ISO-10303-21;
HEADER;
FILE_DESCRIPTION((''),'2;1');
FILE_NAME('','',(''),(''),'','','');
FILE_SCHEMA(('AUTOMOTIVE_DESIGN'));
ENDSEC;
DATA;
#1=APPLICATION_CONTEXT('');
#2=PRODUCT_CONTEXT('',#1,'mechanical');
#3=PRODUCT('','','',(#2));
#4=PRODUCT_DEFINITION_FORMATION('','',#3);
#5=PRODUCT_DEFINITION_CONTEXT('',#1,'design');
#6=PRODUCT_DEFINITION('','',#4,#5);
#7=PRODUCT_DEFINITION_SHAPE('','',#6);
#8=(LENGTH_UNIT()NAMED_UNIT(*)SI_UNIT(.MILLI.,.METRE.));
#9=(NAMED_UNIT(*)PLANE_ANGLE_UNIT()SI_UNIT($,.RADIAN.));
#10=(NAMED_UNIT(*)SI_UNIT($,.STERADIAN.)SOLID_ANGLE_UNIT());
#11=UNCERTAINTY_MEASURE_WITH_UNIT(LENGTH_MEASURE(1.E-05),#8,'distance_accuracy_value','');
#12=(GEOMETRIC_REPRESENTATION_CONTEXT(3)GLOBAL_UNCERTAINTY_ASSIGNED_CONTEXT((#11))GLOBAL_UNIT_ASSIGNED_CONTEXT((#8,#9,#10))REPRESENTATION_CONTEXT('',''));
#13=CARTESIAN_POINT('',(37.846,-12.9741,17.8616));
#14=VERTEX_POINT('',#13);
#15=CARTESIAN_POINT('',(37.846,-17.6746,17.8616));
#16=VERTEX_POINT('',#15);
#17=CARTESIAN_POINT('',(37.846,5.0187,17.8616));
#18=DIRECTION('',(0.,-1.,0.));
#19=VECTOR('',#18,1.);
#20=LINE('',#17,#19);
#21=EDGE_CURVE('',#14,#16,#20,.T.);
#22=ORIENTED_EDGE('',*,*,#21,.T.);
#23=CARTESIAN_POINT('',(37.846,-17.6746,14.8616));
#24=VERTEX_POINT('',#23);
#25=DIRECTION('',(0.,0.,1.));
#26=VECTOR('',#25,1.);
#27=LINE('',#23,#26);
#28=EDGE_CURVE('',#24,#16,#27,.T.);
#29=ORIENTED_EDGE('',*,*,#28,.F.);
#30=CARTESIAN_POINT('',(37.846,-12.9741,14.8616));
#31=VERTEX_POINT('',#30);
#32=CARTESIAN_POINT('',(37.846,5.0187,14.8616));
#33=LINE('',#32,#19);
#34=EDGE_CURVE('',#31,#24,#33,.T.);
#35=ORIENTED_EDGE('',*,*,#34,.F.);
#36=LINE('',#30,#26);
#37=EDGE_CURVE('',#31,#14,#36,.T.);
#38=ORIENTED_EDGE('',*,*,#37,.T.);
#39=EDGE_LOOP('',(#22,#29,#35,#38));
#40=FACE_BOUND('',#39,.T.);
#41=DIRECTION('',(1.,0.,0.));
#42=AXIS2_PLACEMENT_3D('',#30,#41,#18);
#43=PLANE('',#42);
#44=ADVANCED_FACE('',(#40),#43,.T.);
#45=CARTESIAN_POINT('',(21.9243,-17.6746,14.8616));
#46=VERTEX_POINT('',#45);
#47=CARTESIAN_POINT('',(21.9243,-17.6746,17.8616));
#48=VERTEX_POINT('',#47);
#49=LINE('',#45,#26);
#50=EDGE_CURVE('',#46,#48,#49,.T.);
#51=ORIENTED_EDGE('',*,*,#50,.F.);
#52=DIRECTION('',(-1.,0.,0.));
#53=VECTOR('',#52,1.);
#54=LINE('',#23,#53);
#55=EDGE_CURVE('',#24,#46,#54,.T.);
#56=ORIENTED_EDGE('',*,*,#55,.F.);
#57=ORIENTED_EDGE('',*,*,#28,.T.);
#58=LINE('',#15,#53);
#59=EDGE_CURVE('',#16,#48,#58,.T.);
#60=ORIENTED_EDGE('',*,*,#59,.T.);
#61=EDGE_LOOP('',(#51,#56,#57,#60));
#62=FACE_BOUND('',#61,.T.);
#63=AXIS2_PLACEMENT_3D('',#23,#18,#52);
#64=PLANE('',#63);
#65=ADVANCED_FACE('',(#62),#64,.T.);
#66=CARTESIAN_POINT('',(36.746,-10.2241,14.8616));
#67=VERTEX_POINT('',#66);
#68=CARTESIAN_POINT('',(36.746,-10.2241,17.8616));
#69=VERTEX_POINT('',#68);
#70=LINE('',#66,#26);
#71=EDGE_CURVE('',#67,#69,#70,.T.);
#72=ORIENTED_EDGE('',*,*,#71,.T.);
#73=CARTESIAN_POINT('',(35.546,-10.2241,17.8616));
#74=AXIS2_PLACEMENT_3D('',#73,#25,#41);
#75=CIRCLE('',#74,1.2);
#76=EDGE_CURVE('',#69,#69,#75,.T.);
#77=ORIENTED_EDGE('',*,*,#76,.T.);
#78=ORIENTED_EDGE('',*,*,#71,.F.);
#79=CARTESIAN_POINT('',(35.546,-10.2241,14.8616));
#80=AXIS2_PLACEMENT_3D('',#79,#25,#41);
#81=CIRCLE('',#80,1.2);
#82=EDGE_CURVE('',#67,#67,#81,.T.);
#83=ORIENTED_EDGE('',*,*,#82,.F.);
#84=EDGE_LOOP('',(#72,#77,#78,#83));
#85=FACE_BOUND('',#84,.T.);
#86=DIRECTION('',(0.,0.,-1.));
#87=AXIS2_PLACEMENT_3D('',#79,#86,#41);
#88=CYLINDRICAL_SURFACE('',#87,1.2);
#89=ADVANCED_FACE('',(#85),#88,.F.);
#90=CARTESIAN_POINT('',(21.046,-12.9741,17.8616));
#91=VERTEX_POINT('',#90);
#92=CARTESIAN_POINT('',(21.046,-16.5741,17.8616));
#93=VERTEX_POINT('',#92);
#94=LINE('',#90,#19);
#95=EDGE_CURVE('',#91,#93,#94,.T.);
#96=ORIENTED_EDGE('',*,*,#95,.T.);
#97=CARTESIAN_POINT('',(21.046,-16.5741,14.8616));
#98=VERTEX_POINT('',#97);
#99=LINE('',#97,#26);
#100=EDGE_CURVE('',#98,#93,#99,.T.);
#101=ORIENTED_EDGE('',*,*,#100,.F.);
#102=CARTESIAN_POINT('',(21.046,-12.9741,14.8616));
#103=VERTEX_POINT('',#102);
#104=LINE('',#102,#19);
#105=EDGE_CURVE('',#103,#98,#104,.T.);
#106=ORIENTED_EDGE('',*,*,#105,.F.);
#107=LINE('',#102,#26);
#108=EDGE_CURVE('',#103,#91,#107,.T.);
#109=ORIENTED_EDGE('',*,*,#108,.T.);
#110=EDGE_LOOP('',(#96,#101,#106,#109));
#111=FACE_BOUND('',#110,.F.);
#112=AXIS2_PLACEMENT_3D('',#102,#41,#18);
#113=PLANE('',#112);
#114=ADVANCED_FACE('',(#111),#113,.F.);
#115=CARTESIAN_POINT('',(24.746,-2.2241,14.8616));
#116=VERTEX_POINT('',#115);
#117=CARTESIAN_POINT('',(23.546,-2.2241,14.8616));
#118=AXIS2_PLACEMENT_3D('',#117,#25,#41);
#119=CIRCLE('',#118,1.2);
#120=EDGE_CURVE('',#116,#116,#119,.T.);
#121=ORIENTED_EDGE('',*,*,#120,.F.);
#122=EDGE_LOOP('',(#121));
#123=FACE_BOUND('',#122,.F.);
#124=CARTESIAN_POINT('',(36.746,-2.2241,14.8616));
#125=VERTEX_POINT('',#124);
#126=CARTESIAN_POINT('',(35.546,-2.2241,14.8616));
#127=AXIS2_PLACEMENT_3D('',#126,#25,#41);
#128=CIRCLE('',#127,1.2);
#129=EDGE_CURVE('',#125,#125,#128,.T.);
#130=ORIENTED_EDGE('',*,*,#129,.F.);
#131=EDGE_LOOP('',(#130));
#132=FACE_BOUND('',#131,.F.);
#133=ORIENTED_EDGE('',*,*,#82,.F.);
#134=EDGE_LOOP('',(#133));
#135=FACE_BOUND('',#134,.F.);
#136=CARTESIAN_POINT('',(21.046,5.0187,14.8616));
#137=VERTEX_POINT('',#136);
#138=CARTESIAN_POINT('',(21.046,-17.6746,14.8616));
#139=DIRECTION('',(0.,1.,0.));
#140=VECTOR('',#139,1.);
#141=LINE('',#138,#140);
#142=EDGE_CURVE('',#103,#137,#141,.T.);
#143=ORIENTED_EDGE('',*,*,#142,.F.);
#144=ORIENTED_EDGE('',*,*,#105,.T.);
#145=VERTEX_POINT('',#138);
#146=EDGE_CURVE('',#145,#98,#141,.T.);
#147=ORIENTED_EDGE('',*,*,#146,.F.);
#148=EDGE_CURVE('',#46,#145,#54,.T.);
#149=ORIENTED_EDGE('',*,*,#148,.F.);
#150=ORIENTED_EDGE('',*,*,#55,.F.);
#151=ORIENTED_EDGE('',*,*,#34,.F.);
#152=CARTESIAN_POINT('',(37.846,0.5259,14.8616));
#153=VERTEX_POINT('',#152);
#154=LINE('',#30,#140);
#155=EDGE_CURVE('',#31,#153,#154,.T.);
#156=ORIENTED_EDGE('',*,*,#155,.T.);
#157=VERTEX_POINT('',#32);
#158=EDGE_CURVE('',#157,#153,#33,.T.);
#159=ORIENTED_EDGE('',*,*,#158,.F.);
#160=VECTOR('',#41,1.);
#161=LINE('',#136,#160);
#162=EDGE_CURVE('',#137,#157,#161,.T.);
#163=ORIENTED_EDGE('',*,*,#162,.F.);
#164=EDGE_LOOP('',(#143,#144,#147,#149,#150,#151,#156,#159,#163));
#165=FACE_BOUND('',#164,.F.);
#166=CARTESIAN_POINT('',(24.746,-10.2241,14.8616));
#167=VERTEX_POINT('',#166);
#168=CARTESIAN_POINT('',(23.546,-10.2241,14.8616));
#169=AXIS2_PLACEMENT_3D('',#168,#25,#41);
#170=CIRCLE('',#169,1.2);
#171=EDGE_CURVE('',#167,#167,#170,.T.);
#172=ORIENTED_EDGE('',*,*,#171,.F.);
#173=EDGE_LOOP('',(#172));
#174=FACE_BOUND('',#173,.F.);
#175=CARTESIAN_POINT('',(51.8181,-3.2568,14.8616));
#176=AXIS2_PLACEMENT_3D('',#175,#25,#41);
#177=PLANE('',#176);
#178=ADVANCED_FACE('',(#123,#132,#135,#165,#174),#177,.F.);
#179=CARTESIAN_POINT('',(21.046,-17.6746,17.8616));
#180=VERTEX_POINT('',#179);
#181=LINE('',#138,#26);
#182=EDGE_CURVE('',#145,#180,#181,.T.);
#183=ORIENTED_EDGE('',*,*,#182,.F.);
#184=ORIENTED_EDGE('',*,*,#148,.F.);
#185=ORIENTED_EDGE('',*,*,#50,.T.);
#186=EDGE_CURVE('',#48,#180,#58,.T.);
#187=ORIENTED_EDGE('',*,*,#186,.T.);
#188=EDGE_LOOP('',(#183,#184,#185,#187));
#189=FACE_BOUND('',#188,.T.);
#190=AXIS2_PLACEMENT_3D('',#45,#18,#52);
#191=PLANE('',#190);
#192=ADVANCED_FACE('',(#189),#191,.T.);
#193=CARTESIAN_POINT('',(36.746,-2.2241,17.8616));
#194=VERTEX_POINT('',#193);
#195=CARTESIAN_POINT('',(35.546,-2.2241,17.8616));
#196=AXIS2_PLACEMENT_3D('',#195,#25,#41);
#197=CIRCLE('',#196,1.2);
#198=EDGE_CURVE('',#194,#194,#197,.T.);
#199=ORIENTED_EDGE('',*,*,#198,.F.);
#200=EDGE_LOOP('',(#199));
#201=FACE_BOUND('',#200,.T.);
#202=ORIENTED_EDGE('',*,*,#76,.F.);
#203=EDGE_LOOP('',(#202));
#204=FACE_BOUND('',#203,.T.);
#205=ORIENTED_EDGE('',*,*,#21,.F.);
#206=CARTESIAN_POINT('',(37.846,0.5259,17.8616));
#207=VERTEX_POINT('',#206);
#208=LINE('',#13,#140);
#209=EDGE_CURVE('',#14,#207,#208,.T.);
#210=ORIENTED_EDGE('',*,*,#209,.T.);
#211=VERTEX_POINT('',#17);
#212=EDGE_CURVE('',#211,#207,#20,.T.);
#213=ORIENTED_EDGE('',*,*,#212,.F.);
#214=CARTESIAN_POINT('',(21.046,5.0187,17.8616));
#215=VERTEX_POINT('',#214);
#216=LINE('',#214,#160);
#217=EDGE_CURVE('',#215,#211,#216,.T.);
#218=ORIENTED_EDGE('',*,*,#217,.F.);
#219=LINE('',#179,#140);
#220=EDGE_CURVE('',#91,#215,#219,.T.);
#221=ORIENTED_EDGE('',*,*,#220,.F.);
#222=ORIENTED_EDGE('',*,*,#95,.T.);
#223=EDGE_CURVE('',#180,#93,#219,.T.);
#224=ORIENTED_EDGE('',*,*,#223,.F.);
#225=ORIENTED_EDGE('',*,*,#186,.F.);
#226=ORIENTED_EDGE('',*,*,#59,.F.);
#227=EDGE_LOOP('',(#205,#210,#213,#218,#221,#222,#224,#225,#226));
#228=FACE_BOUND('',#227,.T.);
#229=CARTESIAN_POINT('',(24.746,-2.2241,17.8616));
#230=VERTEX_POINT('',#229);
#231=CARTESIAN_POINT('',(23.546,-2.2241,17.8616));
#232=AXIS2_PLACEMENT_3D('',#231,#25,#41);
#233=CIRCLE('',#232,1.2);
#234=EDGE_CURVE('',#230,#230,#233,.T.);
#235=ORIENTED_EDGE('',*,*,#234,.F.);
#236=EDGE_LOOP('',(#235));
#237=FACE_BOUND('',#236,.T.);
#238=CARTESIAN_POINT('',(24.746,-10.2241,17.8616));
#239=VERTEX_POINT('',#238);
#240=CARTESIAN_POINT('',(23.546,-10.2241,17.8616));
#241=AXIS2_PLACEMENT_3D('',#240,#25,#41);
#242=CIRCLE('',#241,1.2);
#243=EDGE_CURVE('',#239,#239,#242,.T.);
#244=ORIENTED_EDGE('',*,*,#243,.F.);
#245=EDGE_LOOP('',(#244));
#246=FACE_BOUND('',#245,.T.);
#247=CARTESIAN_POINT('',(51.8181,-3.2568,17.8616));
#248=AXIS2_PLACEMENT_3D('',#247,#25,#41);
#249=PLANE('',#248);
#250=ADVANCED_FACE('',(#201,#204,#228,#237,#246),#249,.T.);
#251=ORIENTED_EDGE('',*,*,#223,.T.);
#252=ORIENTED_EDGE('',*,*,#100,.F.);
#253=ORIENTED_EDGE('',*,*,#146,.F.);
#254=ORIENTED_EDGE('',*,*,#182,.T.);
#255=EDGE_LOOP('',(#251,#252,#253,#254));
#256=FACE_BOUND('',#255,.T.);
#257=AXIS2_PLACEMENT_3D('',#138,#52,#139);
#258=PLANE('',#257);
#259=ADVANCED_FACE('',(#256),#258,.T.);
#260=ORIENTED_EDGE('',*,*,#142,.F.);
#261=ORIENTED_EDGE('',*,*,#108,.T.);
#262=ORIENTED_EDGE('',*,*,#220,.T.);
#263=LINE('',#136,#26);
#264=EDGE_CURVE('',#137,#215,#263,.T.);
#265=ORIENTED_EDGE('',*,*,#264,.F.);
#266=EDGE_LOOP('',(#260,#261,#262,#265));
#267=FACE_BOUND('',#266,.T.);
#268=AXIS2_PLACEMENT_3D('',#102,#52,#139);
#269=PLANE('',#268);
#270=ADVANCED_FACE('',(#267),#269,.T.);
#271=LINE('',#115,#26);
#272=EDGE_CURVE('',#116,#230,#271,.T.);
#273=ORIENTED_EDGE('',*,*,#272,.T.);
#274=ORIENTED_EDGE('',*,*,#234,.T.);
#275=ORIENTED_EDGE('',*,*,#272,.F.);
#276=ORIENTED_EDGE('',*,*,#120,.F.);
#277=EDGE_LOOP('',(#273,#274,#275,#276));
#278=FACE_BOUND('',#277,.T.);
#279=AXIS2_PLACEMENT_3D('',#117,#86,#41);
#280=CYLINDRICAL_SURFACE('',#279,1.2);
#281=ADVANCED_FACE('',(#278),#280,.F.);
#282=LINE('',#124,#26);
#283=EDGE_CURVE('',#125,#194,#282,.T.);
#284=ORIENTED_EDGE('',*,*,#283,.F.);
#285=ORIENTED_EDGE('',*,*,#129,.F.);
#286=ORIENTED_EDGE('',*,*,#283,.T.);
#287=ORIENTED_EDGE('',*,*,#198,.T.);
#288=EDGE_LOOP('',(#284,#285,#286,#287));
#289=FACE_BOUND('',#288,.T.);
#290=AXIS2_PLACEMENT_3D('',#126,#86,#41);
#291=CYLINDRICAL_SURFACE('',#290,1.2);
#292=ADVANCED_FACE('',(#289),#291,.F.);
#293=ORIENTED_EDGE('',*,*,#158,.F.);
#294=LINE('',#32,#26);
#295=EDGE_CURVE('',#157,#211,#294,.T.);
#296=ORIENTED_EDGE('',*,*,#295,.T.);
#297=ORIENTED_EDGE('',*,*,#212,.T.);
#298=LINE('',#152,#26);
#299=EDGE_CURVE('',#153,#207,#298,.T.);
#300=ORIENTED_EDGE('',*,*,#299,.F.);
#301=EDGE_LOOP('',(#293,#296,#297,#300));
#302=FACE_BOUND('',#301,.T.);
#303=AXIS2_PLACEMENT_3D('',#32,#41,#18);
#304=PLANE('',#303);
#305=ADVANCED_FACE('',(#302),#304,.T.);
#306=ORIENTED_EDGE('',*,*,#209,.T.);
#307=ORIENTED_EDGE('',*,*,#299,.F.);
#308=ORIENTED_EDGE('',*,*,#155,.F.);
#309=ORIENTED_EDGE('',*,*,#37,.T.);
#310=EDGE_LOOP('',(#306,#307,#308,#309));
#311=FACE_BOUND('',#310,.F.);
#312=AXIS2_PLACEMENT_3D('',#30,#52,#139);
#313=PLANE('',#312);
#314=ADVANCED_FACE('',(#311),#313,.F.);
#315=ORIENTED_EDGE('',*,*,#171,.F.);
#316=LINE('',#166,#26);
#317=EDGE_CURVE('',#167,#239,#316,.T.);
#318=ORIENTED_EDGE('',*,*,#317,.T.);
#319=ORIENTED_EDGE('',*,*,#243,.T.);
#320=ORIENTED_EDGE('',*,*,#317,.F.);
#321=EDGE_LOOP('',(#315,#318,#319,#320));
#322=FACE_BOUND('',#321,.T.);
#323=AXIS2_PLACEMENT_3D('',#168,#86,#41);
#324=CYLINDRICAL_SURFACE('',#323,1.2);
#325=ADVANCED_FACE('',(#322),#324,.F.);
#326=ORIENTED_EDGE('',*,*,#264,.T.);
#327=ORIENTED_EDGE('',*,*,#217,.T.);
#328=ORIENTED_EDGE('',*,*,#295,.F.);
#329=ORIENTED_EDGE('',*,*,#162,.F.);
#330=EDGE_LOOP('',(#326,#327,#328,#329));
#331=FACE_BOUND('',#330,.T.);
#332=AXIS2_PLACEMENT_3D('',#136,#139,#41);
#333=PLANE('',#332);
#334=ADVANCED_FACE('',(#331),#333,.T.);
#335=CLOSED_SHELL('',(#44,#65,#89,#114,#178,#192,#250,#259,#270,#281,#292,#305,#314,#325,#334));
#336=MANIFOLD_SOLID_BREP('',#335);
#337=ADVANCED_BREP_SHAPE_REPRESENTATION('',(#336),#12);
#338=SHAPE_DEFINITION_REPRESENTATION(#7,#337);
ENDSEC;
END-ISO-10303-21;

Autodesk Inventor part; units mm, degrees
ref_plane "YZ Plane" through (0, 0, 0) normal (1, 0, 0) x (0, 1, 0)
ref_plane "XZ Plane" through (0, 0, 0) normal (0, 1, 0) x (-1, 0, 0)
ref_plane "XY Plane" through (0, 0, 0) normal (0, 0, 1) x (1, 0, 0)
ref_plane "РабПлоскость1" through (51.8181, -3.2568, 14.8616) normal (0, 0, 1) x (1, 0, 0)
sketch "Эскиз1" plane through (51.8181, -3.2568, 14.8616) normal (0, 0, 1) x (1, 0, 0)
  circle A0 centre (-28.2721, 1.0327) radius 1.2 projected
  line L0 (-26.6721, 3.7827) -> (-26.6721, -9.7173)
  circle A1 centre (-28.2721, -6.9673) radius 0.8 projected
  circle A2 centre (-28.2721, -6.9673) radius 1.2 projected
  circle A3 centre (-16.2721, -6.9673) radius 1.2 projected
  circle A4 centre (-16.2721, 1.0327) radius 1.2 projected
  line L1 (-29.8938, -55.4673) -> (-29.8938, 4.5327) projected
  line L2 (-30.7721, -9.7173) -> (-30.7721, -13.3173) projected
  line L3 (-13.9721, -9.7173) -> (-13.9721, 3.7827) projected
  line L4 (-30.7721, 8.2755) -> (-13.9721, 8.2755)
  line L5 (-13.9721, 8.2755) -> (-13.9721, -14.4178)
  line L6 (-13.9721, -14.4178) -> (-30.7721, -14.4178)
  line L7 (-30.7721, -14.4178) -> (-30.7721, 8.2755)
  point P0 (-51.8181, 3.2568)
  point P1 (-30.7721, -9.7173)
  point P2 (-30.7721, -13.3173)
  point P3 (-13.9721, -9.7173)
  point P4 (-13.9721, 3.7827)
extrude "Выдавливание1" add sketch "Эскиз1" along normal blind 3 contours L7 L4 L5 L3 L6 L2
properties part number "проставк"
